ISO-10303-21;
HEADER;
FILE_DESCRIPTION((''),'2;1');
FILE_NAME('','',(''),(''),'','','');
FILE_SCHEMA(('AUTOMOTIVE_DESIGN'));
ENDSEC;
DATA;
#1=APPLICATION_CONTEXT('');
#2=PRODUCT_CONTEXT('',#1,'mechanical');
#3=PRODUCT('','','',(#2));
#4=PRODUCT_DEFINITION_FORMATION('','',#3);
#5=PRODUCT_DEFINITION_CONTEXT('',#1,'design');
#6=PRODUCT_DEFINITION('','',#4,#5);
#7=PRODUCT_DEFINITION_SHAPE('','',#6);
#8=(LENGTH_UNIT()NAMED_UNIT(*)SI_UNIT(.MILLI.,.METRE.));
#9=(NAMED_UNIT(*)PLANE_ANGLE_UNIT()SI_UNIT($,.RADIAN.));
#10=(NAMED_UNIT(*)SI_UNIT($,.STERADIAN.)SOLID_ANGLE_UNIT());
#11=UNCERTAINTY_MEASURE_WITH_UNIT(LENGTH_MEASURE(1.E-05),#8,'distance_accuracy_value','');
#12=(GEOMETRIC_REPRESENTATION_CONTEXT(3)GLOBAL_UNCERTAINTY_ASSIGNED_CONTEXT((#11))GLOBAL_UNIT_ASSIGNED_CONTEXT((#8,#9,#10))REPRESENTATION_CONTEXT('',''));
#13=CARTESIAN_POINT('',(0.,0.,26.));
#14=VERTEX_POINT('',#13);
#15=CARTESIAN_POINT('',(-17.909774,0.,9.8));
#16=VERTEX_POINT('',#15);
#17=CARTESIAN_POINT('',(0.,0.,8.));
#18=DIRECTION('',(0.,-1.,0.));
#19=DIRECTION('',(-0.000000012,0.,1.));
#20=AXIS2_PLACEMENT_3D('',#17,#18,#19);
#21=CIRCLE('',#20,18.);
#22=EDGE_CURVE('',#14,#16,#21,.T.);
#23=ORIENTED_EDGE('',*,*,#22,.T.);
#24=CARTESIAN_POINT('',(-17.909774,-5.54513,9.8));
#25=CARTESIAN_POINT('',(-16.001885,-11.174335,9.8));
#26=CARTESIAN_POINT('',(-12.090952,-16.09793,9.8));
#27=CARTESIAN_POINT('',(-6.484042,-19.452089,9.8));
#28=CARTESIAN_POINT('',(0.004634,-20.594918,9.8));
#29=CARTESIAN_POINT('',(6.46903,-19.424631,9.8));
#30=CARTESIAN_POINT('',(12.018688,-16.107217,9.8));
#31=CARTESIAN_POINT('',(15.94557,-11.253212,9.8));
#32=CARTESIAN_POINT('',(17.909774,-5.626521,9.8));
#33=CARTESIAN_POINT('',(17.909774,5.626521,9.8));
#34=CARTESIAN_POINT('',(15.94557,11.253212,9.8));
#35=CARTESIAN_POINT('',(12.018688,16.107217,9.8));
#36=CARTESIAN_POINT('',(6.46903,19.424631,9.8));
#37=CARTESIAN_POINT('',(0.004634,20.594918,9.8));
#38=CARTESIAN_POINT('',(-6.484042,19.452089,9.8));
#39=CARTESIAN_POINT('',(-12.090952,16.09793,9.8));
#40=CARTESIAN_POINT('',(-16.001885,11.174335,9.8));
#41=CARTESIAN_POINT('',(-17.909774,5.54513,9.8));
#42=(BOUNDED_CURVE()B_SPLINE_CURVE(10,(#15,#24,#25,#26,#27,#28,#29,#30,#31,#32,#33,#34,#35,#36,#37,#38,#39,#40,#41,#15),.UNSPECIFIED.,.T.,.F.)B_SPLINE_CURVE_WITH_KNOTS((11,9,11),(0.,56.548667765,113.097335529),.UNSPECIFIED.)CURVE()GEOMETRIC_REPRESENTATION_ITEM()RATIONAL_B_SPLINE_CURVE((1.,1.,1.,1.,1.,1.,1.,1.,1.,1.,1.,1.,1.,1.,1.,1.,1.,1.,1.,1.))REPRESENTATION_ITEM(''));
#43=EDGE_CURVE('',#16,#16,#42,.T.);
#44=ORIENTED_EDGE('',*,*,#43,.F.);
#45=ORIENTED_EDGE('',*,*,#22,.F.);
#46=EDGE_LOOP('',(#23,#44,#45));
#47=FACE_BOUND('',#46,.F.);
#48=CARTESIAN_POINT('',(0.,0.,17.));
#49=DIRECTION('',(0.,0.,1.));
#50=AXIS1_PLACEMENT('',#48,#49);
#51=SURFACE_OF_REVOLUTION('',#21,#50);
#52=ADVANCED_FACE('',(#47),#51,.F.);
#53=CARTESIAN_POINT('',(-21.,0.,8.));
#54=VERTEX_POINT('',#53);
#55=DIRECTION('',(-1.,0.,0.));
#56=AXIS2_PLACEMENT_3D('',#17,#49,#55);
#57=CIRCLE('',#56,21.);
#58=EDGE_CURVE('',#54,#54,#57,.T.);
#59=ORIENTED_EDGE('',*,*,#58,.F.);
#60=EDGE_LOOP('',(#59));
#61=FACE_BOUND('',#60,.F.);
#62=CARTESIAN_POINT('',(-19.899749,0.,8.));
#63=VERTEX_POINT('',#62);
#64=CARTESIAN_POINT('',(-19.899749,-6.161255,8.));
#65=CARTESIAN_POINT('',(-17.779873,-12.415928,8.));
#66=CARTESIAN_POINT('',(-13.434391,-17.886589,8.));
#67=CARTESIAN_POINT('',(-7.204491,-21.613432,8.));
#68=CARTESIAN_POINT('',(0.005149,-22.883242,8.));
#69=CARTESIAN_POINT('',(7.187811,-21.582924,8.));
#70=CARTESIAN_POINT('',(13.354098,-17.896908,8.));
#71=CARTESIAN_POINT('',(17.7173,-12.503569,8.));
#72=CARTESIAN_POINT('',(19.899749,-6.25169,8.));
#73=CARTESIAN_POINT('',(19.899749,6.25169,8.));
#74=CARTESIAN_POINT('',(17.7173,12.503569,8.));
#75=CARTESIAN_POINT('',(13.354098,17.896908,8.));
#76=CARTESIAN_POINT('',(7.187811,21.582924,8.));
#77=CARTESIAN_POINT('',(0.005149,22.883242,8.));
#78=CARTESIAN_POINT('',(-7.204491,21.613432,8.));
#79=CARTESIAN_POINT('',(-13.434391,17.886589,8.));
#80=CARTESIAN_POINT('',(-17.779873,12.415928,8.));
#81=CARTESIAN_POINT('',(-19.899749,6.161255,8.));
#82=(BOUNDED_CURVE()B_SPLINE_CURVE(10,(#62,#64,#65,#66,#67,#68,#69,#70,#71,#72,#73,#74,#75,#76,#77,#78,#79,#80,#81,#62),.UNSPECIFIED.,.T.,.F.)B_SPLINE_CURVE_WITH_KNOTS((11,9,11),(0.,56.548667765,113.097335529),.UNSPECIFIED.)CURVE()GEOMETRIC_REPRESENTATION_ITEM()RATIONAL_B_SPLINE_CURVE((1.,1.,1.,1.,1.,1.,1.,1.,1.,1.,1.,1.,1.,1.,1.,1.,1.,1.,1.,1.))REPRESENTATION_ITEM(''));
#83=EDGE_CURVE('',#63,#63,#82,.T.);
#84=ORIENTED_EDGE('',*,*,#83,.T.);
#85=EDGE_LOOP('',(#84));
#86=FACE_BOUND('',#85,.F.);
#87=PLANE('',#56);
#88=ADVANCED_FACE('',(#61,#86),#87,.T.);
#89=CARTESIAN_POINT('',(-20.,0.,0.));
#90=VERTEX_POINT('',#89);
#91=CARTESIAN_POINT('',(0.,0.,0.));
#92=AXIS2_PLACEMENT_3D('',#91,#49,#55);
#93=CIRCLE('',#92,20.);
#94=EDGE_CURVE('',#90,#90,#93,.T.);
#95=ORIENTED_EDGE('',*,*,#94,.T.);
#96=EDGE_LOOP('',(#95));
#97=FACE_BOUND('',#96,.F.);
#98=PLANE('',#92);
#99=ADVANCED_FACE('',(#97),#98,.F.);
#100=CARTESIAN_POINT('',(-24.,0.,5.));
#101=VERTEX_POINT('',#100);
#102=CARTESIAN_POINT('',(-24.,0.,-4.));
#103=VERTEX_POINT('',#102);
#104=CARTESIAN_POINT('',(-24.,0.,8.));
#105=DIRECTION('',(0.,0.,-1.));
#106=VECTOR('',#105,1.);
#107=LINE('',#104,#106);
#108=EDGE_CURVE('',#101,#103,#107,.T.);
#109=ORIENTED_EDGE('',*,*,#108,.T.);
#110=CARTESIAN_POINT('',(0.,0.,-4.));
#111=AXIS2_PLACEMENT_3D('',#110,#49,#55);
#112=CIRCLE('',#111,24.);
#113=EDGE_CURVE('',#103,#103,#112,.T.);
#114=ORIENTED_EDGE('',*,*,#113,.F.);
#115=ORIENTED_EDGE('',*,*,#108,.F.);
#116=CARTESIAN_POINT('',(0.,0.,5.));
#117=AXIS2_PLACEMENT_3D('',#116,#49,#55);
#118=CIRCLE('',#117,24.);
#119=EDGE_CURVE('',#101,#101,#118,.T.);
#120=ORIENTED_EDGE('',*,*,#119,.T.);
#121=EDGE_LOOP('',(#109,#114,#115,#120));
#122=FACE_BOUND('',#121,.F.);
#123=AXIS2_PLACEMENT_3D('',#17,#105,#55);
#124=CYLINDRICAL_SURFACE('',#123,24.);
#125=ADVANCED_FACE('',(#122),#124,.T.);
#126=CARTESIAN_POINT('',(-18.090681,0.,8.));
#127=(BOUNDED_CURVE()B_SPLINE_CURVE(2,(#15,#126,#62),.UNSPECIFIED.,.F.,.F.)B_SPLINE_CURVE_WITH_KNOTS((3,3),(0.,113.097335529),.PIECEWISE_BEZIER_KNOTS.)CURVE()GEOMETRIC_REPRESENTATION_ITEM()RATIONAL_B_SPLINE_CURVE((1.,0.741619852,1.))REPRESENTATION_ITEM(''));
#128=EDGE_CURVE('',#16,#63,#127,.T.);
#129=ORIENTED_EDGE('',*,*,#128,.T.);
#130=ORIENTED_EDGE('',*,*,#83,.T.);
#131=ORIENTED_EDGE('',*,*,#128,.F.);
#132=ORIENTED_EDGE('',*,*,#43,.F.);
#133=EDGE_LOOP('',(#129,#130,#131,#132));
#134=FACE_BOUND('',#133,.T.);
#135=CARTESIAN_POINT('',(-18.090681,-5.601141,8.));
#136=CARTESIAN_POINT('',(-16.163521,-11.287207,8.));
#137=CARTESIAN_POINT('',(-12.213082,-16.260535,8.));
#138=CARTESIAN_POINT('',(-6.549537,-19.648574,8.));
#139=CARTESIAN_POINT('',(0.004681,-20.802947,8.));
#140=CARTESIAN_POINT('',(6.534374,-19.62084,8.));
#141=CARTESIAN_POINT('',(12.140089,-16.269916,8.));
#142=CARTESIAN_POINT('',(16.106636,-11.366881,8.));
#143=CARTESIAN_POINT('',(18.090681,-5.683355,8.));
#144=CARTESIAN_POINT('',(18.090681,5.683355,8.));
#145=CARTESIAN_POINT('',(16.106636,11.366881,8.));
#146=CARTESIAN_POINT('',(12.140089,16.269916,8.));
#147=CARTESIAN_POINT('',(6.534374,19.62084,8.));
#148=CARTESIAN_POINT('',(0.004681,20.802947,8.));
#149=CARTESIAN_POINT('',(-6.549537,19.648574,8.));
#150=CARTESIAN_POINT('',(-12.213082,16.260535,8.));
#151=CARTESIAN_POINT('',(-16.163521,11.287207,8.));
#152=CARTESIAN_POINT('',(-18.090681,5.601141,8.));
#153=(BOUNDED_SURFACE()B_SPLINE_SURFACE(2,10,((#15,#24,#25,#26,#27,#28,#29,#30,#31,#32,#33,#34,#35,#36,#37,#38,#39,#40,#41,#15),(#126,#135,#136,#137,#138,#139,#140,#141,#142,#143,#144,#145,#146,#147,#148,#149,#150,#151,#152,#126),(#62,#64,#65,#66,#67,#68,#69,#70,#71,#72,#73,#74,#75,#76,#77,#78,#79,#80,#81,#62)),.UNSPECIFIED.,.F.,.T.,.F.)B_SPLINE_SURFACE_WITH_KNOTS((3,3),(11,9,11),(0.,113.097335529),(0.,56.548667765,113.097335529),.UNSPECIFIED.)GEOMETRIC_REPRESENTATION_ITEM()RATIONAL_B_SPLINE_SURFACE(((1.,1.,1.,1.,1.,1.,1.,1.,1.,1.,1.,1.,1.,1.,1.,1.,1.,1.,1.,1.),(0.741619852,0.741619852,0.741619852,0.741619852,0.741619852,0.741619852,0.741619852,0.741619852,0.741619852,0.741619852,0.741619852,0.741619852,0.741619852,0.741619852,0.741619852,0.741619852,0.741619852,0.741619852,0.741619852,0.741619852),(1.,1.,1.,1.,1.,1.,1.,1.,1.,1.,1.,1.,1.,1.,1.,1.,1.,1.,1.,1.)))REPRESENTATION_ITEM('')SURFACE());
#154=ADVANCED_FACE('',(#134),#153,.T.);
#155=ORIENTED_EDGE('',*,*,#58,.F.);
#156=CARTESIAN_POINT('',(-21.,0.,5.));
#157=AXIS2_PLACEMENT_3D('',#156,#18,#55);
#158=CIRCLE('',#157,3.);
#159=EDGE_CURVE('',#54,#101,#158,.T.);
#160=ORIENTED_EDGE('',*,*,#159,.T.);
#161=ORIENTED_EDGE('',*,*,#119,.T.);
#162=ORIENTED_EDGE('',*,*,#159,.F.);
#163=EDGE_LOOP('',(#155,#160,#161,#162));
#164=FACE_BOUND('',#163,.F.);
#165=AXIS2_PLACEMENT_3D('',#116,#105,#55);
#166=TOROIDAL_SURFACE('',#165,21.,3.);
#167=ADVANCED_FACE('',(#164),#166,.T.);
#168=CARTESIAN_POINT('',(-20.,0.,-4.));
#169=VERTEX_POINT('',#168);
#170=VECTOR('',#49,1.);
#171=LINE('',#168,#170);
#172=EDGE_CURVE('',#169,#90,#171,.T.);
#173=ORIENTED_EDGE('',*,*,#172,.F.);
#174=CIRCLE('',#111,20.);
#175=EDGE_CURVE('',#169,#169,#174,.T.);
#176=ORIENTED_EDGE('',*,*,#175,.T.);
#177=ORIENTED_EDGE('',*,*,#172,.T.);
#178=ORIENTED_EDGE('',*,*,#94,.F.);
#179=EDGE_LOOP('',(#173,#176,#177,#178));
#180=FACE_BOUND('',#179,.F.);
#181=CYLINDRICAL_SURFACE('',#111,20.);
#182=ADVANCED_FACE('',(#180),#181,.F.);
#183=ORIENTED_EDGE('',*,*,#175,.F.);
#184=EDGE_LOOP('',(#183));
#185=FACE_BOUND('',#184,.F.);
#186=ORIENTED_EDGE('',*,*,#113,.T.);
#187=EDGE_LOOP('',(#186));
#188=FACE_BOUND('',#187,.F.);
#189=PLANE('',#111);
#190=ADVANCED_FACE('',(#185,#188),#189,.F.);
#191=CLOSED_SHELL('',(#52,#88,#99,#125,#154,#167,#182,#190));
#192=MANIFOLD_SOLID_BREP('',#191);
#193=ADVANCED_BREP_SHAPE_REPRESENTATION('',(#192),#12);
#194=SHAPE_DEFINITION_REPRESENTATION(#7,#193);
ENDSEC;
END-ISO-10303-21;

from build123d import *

# Parameters (mm, degrees)
F2_R = 2
F3_R = 3


with BuildPart() as f1:
    # F0 (on Front) → F1 (revolve)
    with BuildSketch(Plane.XZ):
        with BuildLine():
            Line((-20, 0), (0, 0))
            Line((0, 0), (0, 8))
            Line((0, 8), (0, 26))
            ThreePointArc((0, 26), (-12.727922, 20.727922), (-18, 8))
            Line((-18, 8), (-24, 8))
            Line((-24, 8), (-24, -4))
            Line((-24, -4), (-20, -4))
            Line((-20, -4), (-20, 0))
        make_face()
    revolve(axis=Axis((0, 0, 17), (0, 0, 1)))

    # F2
    f2_edges = [f1.edges().sort_by_distance(p)[0] for p in [
        (18, 0, 8),
    ]]
    fillet(f2_edges, radius=F2_R)

    # F3
    f3_edges = [f1.edges().sort_by_distance(p)[0] for p in [
        (24, 0, 8),
    ]]
    fillet(f3_edges, radius=F3_R)


solid = f1.part
